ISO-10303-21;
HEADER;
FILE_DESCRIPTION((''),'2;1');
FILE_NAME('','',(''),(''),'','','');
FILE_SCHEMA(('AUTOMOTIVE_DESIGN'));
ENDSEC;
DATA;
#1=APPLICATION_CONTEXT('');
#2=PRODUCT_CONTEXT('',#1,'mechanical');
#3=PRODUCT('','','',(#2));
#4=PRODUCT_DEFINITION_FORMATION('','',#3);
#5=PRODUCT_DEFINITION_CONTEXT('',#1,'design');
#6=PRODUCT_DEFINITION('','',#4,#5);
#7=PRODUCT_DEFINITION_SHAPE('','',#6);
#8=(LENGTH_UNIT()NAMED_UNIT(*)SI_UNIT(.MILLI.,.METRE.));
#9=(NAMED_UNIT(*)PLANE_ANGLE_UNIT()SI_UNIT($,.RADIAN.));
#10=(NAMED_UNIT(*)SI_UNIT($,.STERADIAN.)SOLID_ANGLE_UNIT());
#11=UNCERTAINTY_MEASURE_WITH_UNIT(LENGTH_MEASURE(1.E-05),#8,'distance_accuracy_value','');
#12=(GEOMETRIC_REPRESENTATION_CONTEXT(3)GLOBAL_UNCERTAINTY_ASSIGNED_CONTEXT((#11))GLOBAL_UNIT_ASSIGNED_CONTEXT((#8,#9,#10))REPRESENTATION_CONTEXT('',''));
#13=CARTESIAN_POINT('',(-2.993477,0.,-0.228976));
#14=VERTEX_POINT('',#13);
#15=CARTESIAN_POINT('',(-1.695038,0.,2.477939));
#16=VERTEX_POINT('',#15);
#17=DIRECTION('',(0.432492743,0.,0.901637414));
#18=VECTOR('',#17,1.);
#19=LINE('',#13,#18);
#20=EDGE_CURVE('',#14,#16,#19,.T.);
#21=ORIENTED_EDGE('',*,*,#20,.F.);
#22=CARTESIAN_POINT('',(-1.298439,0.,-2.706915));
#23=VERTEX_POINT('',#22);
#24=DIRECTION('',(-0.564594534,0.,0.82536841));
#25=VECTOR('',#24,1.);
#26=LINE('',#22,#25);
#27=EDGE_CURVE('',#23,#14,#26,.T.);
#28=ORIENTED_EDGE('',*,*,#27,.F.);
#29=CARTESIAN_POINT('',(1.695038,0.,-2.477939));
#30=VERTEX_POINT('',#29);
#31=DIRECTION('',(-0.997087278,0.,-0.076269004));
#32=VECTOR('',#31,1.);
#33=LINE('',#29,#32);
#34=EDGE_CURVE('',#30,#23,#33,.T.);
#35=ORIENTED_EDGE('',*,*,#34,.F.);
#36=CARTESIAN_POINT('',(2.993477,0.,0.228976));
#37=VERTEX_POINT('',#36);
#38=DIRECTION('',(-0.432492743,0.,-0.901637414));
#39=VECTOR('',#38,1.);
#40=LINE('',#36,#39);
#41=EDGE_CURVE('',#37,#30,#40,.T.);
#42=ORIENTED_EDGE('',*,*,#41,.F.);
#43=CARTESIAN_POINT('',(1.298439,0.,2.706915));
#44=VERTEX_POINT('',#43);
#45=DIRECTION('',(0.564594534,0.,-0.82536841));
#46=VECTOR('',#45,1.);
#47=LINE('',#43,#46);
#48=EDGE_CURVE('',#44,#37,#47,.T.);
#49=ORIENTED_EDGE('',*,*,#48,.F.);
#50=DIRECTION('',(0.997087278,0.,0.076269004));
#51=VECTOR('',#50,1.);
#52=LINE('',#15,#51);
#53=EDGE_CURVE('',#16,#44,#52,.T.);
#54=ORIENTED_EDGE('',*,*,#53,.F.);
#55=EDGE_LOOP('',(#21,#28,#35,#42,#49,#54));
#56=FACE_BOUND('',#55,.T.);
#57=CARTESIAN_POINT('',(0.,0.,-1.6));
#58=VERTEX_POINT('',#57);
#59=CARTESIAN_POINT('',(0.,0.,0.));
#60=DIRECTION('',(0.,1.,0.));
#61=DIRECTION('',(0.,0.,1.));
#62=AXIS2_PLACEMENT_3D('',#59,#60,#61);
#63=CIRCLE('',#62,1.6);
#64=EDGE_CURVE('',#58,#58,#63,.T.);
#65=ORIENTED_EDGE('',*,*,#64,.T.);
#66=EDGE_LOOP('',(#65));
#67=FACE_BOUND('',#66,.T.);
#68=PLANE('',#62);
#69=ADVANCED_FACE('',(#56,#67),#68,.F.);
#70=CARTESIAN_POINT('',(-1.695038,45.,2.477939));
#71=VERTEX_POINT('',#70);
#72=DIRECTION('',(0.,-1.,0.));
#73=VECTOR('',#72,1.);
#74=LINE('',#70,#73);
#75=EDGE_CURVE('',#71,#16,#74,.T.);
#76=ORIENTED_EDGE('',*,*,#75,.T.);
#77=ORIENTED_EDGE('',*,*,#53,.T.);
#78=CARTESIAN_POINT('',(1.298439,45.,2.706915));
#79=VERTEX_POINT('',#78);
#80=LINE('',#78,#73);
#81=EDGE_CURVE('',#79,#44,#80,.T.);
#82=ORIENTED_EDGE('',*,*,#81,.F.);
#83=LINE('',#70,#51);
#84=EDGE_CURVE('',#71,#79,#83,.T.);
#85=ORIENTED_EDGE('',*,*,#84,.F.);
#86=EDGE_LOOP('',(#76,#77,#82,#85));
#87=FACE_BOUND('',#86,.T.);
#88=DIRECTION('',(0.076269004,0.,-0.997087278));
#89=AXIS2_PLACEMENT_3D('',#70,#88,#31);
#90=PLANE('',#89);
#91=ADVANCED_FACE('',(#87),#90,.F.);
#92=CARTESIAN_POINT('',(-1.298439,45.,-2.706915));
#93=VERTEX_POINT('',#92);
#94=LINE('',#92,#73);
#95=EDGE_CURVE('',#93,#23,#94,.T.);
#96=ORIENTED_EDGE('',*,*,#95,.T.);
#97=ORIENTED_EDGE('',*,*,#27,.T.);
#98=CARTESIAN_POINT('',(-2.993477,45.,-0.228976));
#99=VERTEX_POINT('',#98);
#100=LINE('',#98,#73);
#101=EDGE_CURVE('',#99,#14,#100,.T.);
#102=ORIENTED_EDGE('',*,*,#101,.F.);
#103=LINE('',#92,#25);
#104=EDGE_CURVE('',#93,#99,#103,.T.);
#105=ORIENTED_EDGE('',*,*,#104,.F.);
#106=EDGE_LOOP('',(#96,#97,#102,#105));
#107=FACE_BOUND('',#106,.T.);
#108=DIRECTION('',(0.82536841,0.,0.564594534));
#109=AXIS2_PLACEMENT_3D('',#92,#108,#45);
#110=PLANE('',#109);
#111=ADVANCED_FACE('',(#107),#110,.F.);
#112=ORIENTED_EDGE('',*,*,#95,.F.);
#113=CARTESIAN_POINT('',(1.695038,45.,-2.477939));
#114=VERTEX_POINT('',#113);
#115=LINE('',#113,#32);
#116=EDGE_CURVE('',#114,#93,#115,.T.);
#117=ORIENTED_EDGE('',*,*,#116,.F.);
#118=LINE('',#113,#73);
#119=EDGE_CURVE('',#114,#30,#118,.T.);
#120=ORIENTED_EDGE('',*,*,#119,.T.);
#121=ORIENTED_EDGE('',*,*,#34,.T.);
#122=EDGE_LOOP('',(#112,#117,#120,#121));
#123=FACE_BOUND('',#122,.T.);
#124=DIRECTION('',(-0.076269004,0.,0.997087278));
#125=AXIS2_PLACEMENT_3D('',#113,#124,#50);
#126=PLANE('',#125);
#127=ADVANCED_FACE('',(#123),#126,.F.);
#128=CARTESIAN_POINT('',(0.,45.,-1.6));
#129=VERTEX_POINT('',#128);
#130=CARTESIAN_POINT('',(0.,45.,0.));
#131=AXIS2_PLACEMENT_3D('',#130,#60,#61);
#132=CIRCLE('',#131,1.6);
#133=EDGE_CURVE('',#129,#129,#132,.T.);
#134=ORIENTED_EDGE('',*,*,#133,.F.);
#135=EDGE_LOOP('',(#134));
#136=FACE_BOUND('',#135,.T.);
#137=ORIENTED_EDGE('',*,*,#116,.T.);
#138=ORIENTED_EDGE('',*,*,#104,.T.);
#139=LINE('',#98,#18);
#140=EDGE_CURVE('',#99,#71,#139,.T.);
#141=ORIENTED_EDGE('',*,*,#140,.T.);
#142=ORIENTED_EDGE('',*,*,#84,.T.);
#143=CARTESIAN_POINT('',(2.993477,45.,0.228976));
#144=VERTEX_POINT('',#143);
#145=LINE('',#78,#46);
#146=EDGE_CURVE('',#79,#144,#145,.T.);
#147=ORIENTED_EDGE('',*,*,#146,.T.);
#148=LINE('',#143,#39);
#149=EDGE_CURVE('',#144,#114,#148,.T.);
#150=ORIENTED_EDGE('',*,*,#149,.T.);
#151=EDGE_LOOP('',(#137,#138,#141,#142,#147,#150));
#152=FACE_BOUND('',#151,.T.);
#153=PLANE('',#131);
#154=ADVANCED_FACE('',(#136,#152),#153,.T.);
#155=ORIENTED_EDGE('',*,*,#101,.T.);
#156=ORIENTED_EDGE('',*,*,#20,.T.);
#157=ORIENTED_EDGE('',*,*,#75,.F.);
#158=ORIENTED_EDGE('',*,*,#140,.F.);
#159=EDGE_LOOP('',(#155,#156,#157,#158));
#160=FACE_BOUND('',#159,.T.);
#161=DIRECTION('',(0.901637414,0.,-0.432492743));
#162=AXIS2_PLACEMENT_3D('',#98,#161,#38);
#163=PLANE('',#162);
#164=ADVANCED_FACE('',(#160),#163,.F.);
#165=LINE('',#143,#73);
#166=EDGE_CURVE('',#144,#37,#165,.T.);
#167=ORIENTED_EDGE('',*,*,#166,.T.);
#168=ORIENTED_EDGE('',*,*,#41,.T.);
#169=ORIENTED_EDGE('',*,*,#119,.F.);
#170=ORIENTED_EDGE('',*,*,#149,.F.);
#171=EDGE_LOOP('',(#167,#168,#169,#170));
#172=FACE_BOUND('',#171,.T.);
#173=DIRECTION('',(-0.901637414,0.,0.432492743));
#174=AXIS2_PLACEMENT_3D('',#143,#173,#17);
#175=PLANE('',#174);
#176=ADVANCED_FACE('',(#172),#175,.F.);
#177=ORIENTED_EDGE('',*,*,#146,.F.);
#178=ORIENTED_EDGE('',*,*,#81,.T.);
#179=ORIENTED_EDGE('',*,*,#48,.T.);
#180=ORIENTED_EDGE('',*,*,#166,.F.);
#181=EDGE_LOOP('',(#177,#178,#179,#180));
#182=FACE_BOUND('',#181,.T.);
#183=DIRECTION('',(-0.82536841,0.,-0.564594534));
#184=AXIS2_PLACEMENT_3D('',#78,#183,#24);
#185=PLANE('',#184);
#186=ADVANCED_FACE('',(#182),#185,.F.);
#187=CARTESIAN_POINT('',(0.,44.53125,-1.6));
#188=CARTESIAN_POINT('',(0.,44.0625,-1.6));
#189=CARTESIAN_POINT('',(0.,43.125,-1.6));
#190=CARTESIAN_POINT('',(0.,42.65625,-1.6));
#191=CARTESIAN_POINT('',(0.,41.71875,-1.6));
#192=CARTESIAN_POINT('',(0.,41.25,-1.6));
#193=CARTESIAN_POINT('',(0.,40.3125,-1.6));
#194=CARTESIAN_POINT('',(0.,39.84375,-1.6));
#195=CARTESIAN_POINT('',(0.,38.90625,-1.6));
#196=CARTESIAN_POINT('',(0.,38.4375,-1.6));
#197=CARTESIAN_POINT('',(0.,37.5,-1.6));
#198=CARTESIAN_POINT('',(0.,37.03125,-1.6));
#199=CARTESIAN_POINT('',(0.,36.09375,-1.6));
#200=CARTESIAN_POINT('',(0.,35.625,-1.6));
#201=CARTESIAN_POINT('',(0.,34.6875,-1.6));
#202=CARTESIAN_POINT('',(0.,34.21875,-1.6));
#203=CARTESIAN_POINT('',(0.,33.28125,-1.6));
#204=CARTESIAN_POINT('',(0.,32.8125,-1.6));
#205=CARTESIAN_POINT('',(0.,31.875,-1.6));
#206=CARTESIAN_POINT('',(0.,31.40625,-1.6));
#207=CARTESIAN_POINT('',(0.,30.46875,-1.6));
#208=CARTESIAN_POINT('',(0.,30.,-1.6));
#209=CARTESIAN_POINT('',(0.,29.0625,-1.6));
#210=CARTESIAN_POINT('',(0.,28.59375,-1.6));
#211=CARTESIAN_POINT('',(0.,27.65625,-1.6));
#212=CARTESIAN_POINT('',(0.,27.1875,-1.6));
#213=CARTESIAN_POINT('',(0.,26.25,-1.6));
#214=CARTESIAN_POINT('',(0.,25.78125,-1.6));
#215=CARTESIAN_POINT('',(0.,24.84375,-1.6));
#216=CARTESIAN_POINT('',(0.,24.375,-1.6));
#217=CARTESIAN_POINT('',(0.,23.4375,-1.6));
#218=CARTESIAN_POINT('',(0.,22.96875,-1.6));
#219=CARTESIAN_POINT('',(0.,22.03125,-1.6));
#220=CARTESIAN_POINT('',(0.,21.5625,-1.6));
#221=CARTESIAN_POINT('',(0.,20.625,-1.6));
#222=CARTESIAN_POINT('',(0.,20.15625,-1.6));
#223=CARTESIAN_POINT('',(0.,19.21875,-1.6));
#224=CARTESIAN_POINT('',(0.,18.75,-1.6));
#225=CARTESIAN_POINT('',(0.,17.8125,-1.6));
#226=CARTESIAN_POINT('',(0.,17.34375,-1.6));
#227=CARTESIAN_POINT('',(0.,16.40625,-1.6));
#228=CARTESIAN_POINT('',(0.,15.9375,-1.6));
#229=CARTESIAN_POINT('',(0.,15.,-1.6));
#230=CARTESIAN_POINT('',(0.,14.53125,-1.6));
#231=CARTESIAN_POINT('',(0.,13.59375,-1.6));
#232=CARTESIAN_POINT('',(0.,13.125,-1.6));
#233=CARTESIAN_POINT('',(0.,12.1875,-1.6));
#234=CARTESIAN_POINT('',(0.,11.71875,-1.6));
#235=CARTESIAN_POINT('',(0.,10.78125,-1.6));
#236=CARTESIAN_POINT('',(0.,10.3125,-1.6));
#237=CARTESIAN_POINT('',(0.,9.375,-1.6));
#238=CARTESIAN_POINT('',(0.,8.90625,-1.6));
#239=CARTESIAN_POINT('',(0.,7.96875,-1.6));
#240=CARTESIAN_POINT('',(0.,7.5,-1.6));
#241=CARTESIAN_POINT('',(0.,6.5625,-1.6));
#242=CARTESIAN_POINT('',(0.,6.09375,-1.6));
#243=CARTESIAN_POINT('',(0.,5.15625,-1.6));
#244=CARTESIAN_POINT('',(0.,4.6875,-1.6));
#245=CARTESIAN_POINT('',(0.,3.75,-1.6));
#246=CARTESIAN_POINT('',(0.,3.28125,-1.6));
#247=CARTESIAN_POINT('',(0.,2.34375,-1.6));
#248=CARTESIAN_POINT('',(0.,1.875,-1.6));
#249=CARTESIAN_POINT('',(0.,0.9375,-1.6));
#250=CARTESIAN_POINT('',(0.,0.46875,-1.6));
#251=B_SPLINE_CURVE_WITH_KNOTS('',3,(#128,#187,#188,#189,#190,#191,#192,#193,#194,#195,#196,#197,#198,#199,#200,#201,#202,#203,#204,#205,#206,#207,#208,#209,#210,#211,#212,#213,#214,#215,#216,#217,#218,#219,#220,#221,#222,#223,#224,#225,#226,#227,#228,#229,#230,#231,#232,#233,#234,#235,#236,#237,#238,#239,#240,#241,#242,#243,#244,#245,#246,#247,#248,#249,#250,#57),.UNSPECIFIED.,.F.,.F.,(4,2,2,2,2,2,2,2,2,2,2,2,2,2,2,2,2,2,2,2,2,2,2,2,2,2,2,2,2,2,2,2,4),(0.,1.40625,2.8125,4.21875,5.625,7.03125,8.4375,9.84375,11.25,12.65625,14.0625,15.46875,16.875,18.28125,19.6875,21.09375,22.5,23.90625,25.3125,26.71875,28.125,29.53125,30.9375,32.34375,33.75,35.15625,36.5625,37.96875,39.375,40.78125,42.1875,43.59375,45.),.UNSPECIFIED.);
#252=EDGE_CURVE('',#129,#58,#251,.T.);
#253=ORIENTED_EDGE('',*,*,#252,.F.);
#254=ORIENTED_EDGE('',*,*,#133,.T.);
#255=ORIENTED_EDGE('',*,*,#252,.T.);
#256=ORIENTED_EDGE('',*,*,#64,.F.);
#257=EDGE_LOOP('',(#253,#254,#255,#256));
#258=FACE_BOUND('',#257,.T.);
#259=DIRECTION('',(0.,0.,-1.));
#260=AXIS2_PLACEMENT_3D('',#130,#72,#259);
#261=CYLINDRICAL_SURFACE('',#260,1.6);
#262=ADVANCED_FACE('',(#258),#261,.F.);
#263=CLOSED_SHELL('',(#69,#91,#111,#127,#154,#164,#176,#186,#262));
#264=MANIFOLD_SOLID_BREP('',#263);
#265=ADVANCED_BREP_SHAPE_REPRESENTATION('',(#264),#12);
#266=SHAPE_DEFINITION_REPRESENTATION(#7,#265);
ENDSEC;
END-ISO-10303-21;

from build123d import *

# Parameters (mm, degrees)
SKETCH_1_R      = 1.6
EXTRUDE_1_DEPTH = 45


with BuildPart() as part:
    # 草图1 → 凸台-拉伸1 (new body)
    with BuildSketch(Plane(origin=(0, 0, 0), x_dir=(1, 0, 0), z_dir=(0, 1, 0))):
        Polygon((1.29843897, -2.70691514), (2.993476762, -0.228976437), (1.695037792, 2.477938703), (-1.29843897, 2.70691514), (-2.993476762, 0.228976437), (-1.695037792, -2.477938703), align=None)
        with Locations(Location((0, 0, 0), (0, 0, 90))):
            Circle(SKETCH_1_R, mode=Mode.SUBTRACT)
    extrude(amount=EXTRUDE_1_DEPTH)


solid = part.part
